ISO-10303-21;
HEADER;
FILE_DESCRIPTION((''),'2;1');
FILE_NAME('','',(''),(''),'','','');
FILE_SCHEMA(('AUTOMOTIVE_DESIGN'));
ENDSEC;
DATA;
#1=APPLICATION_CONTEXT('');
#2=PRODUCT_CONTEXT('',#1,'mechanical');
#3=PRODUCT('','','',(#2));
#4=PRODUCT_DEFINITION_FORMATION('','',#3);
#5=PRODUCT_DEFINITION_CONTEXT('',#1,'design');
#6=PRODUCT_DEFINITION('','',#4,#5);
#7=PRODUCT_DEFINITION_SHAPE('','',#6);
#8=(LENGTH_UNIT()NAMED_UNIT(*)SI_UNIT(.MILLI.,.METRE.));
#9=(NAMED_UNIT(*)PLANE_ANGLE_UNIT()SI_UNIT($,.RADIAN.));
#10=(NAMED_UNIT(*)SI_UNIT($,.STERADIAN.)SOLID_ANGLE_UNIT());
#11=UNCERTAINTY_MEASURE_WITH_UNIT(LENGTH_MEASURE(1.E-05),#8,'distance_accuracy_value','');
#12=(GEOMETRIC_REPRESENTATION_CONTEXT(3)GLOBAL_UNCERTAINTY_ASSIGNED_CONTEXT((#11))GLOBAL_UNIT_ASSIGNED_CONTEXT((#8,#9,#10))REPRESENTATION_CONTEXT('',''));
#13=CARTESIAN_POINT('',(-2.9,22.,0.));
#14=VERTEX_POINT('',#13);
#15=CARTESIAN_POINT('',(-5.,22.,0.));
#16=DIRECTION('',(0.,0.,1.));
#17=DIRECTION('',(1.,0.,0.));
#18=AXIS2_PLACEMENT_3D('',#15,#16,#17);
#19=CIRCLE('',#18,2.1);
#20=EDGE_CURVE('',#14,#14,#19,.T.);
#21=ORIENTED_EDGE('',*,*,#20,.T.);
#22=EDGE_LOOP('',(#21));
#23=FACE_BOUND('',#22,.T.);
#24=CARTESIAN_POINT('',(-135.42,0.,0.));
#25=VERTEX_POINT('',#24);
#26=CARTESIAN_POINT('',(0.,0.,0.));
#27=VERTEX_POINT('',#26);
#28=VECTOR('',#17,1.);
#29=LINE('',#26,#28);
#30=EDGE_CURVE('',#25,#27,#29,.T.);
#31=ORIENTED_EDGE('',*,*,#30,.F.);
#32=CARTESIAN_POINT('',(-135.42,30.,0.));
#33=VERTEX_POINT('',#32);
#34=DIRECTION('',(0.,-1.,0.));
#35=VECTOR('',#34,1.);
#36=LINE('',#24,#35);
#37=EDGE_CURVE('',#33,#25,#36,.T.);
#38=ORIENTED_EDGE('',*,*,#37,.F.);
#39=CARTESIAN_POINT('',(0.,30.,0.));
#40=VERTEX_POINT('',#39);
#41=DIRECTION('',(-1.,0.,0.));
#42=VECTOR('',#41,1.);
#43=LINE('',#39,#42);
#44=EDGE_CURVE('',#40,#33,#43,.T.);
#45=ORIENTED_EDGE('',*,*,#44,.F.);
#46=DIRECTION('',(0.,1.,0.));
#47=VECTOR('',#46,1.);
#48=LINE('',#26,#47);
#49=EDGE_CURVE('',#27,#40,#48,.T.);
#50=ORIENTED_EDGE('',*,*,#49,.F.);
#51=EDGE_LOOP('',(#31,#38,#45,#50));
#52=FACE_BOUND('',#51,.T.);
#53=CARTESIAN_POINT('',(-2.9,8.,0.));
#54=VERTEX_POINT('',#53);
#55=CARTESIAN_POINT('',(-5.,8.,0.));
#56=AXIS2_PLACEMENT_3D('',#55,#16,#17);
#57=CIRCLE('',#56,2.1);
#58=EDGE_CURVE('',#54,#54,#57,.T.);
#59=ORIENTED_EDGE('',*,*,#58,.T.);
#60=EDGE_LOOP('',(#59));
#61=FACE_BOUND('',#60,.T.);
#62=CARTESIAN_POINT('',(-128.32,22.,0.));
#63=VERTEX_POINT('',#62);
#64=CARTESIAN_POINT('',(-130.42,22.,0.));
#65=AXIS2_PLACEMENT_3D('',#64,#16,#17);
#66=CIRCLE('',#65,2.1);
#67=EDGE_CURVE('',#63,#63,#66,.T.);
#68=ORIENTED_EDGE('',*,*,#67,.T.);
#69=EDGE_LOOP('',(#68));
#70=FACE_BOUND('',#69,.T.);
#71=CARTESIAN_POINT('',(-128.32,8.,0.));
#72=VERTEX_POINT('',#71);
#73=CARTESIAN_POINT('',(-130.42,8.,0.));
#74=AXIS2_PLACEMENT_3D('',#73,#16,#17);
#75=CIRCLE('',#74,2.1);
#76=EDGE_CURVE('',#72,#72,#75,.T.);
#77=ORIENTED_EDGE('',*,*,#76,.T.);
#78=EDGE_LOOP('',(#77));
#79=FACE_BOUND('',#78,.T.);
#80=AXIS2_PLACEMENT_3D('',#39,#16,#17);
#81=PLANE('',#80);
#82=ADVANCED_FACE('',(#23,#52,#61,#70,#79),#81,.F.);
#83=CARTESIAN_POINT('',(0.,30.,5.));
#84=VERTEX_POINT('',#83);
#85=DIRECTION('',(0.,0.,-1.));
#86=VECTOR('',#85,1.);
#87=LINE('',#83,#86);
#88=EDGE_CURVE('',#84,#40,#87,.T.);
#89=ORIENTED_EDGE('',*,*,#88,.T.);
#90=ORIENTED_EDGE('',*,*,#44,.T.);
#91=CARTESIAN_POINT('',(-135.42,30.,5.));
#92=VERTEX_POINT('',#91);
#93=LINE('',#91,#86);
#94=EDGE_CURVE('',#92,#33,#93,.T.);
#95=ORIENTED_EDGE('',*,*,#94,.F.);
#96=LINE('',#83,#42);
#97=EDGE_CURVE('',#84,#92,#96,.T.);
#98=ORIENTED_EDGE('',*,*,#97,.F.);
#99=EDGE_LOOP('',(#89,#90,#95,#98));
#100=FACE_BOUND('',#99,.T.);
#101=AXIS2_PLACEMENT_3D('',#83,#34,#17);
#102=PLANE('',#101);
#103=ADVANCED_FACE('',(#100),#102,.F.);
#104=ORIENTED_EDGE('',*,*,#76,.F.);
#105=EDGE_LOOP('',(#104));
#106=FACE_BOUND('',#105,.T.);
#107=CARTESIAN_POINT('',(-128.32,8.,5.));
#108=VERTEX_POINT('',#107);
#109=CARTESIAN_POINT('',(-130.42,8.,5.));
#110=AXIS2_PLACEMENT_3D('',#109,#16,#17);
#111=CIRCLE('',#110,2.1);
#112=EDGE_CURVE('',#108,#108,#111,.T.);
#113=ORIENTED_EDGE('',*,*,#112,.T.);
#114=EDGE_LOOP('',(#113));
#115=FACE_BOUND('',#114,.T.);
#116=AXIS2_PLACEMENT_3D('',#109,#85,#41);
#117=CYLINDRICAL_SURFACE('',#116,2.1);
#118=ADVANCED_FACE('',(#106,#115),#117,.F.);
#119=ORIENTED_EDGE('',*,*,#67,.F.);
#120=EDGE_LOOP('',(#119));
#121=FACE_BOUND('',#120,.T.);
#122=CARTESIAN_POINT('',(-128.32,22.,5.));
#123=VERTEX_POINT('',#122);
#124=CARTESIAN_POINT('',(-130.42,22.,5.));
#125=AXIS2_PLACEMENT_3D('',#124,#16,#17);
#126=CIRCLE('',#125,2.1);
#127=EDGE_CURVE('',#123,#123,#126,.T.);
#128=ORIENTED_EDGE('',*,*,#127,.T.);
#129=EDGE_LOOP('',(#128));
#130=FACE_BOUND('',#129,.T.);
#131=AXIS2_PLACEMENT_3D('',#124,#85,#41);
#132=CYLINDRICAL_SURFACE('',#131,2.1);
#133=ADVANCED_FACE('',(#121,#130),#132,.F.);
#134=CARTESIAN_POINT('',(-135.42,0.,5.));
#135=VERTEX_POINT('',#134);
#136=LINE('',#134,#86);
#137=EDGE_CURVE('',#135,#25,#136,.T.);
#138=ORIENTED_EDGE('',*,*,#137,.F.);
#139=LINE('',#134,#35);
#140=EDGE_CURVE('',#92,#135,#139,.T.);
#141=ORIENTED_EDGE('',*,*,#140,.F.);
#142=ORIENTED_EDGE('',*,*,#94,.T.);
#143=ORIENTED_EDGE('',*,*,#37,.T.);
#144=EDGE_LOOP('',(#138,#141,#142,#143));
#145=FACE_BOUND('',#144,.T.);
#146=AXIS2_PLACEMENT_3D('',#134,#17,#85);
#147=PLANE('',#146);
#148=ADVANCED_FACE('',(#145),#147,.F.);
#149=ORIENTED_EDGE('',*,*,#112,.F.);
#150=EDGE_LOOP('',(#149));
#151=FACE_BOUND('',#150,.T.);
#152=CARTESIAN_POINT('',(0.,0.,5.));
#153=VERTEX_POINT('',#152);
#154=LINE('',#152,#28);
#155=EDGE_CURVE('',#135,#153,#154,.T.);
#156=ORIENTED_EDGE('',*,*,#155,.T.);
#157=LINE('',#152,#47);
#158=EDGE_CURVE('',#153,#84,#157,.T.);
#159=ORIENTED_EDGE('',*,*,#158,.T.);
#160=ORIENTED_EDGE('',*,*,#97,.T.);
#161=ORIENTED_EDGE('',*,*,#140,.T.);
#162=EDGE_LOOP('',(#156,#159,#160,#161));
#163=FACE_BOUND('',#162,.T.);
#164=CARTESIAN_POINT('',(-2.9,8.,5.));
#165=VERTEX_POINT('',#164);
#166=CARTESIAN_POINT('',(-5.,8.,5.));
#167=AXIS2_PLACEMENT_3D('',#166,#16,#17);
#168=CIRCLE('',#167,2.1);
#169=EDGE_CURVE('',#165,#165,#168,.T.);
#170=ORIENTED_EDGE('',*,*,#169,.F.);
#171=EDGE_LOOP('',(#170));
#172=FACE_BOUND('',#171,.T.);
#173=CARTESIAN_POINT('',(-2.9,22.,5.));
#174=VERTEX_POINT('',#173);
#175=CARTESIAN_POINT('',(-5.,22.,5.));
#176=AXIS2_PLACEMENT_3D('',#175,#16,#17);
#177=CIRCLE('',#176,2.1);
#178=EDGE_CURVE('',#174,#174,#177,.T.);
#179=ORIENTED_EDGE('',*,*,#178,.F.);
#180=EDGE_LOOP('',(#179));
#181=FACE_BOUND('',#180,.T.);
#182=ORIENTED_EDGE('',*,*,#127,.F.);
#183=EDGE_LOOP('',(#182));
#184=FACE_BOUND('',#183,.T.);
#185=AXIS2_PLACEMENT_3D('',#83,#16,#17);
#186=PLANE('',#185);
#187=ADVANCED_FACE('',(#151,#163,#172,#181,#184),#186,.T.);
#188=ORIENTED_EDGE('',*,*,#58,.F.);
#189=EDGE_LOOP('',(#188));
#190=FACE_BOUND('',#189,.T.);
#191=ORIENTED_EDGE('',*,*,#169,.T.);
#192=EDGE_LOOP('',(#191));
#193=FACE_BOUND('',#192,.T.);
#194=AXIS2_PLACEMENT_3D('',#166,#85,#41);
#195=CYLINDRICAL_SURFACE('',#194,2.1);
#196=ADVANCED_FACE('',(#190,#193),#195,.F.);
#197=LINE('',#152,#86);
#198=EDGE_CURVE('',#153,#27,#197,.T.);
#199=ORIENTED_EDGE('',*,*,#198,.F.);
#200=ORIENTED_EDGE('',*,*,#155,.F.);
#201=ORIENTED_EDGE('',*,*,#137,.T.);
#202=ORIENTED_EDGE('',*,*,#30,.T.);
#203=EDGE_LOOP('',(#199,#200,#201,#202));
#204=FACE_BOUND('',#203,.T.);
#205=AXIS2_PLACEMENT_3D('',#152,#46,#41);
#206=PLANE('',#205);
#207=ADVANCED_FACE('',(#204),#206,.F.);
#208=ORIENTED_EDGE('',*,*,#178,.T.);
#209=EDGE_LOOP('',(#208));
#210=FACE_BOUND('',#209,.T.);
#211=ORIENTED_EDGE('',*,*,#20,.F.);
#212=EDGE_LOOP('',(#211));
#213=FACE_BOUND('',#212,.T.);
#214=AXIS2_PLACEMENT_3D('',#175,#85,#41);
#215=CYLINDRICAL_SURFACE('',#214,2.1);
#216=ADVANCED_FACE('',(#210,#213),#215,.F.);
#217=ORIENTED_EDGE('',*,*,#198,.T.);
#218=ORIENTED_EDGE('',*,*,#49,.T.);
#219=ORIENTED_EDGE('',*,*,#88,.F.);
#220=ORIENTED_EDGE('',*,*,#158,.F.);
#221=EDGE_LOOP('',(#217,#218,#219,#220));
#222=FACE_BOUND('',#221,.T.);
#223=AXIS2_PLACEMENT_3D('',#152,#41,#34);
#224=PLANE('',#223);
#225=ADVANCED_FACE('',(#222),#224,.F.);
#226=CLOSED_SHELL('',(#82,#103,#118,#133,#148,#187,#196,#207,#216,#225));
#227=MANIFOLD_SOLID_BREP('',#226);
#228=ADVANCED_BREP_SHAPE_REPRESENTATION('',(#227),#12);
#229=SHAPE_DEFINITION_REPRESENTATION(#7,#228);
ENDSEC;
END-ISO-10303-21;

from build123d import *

# Parameters (mm, degrees)
ESQUISSE1_W        = 135.42
ESQUISSE1_H        = 30
ESQUISSE1_R        = 2.1
BOSS_EXTRU_1_DEPTH = 5


with BuildPart() as part:
    # Esquisse1 → Boss.-Extru.1 (new body)
    with BuildSketch(Plane.XY):
        with Locations((-67.71, 15)):
            Rectangle(ESQUISSE1_W, ESQUISSE1_H)
        with Locations((-5, 22)):
            Circle(ESQUISSE1_R, mode=Mode.SUBTRACT)
        with Locations((-130.42, 8)):
            Circle(ESQUISSE1_R, mode=Mode.SUBTRACT)
        with Locations((-5, 8)):
            Circle(ESQUISSE1_R, mode=Mode.SUBTRACT)
        with Locations((-130.42, 22)):
            Circle(ESQUISSE1_R, mode=Mode.SUBTRACT)
    extrude(amount=BOSS_EXTRU_1_DEPTH)


solid = part.part
